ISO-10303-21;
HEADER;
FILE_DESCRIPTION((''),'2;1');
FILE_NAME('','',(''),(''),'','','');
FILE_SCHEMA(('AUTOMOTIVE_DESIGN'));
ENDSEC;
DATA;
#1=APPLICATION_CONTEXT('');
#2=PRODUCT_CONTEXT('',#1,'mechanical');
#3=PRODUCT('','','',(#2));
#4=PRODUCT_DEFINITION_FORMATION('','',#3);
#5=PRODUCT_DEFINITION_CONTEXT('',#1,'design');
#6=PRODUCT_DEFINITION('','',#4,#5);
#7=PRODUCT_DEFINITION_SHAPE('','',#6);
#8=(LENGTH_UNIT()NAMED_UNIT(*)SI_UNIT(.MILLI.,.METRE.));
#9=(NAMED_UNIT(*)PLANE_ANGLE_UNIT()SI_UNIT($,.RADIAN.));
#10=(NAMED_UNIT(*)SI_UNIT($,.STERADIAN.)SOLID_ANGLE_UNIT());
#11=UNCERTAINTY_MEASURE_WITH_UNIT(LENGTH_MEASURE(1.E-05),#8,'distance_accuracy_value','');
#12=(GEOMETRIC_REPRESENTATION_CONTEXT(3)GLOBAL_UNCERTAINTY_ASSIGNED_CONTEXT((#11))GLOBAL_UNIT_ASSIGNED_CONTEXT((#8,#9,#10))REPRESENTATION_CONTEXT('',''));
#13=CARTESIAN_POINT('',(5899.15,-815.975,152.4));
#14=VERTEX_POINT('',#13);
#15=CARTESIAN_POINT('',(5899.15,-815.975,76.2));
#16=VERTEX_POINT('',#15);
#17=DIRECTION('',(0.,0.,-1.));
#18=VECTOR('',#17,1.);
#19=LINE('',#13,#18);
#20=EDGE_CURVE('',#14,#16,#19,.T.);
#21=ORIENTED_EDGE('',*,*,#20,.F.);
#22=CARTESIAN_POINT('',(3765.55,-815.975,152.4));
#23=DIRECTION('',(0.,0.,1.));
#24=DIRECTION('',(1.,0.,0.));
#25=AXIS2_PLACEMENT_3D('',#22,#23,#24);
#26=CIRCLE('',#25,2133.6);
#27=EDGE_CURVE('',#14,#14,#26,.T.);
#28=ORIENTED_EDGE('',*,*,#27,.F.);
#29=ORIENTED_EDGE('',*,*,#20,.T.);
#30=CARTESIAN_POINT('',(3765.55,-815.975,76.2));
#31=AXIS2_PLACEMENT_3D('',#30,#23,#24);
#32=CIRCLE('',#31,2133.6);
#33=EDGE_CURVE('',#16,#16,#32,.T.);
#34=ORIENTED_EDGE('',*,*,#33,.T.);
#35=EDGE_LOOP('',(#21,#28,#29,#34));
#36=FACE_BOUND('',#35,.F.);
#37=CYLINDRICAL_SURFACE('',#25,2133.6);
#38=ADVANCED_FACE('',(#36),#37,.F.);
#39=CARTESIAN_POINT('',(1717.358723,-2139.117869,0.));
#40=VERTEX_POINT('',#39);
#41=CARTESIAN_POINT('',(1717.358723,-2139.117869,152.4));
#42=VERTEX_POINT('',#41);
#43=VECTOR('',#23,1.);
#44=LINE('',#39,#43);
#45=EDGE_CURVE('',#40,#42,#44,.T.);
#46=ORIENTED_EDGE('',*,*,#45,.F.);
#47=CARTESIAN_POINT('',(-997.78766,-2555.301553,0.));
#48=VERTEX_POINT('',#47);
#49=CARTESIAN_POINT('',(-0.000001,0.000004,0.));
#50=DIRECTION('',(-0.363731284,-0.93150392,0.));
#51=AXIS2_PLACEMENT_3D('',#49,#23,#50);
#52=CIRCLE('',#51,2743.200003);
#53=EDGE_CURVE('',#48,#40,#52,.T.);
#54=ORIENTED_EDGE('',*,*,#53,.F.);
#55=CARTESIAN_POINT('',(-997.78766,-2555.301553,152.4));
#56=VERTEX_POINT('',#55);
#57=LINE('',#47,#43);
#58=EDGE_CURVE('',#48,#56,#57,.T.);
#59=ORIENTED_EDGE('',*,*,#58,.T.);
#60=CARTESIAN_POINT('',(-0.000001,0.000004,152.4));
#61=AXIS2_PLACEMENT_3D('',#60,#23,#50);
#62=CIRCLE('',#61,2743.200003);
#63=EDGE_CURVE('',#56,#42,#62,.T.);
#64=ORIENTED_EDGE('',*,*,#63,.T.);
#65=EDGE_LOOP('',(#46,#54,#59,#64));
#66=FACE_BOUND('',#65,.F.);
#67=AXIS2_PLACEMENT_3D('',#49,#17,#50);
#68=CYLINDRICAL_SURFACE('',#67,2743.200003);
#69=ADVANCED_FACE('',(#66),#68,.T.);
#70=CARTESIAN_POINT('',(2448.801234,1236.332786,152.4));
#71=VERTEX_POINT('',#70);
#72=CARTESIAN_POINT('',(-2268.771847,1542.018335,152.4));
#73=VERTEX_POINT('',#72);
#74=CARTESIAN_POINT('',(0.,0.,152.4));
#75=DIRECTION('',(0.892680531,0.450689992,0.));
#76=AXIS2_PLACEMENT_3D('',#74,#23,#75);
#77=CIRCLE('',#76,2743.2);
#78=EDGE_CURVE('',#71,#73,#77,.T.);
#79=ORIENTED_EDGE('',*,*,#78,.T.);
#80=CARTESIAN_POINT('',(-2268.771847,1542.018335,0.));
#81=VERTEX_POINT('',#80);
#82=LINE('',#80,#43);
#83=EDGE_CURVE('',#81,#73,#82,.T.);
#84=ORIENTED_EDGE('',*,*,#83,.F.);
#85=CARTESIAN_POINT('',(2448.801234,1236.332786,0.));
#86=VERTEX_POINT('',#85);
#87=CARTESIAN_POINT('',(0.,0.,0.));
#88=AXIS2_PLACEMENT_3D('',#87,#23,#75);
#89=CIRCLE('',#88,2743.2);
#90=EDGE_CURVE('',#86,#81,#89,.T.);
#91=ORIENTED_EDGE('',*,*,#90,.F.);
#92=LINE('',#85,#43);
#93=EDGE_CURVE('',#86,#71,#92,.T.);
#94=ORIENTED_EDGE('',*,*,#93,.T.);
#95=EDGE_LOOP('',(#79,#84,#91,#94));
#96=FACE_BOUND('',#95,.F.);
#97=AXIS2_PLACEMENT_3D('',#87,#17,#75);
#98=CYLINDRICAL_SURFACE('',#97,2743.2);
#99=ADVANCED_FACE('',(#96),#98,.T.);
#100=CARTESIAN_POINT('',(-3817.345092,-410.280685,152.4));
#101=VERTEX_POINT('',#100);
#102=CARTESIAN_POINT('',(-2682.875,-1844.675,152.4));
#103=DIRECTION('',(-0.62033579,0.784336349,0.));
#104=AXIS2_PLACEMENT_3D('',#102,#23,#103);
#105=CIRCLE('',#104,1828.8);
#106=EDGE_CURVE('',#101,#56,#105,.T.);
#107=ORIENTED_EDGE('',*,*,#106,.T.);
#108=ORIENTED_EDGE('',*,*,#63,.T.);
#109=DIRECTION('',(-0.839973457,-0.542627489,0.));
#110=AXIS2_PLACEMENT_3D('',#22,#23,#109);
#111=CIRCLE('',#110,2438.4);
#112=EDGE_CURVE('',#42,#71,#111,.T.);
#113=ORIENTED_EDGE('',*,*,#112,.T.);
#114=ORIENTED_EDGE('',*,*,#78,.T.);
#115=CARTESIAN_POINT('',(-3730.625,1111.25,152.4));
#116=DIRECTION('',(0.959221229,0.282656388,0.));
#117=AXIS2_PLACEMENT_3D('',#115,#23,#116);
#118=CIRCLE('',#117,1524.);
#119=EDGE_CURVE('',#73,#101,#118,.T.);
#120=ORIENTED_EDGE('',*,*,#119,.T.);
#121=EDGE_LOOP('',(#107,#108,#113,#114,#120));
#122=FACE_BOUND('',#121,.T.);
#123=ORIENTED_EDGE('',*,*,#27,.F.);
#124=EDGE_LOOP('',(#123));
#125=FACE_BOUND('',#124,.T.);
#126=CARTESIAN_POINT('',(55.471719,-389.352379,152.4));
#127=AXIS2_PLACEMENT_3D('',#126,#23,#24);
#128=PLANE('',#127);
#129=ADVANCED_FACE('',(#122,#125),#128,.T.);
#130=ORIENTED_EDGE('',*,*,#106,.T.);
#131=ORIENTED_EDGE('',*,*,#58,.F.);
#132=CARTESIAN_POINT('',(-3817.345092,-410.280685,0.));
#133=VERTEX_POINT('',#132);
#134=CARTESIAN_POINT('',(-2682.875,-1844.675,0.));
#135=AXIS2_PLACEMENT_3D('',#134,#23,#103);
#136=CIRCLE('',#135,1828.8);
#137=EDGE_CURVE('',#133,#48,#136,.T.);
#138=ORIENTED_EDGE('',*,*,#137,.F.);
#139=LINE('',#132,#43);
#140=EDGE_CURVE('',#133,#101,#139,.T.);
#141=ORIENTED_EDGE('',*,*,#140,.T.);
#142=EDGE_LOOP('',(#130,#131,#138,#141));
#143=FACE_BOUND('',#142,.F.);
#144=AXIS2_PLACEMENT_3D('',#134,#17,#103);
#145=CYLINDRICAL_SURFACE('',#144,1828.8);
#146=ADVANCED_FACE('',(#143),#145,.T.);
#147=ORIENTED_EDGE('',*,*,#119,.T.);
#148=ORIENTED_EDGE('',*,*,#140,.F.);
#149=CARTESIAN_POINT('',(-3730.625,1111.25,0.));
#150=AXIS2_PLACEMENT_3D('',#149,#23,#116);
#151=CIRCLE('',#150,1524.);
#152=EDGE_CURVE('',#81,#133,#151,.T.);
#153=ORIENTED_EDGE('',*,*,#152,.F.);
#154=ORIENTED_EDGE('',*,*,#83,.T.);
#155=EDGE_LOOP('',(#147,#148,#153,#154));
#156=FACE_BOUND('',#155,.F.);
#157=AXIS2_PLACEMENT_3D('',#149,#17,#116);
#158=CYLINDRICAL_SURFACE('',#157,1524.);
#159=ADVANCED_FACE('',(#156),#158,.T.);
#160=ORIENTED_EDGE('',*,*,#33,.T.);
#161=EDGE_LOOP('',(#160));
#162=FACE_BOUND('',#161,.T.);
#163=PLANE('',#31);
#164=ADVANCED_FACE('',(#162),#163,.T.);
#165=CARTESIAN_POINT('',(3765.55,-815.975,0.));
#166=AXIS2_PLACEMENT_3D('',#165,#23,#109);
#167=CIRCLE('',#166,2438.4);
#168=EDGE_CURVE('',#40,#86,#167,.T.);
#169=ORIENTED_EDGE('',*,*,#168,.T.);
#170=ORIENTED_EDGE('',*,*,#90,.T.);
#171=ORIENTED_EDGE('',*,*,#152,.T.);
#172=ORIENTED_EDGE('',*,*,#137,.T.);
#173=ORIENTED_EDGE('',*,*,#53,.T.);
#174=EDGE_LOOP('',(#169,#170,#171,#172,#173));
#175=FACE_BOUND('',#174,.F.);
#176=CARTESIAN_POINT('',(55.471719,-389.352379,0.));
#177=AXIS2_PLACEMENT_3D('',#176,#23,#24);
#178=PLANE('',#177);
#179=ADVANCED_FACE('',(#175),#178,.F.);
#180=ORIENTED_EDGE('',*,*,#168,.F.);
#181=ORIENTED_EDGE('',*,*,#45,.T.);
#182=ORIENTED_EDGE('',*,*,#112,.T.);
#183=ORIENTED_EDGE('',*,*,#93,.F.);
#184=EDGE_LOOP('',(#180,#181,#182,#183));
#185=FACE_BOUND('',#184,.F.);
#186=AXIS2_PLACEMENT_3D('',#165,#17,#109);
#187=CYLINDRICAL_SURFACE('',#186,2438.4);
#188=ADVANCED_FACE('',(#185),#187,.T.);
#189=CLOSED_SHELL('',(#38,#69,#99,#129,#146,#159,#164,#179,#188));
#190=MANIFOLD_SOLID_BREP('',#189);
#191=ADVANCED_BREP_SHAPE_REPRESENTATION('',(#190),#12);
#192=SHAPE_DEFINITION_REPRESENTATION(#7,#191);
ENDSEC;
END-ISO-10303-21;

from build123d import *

# Parameters (mm, degrees)
PAD_DEPTH    = 152.4
SKETCH001_R  = 2133.6
POCKET_DEPTH = 76.2


with BuildPart() as part:
    # Sketch → Pad (new body)
    with BuildSketch(Plane.XY):
        with BuildLine():
            ThreePointArc((-2268.771847, 1542.018335), (-4924.616457, 2058.329933), (-3817.345092, -410.280685))
            ThreePointArc((-3817.345092, -410.280685), (-3790.157019, -3300.159789), (-997.78766, -2555.301553))
            ThreePointArc((-997.78766, -2555.301553), (415.629454, -2711.530637), (1717.358723, -2139.117869))
            ThreePointArc((1717.358723, -2139.117869), (6148.640883, -1332.378336), (2448.801234, 1236.332786))
            ThreePointArc((2448.801234, 1236.332786), (177.379703, 2737.459165), (-2268.771847, 1542.018335))
        make_face()
    extrude(amount=PAD_DEPTH)

    # Sketch001 (on Face7 of Pad) → Pocket (cut)
    with BuildSketch(Plane.XY.offset(152.4)):
        with Locations((3765.55, -815.975)):
            Circle(SKETCH001_R)
    extrude(amount=-POCKET_DEPTH, mode=Mode.SUBTRACT)


solid = part.part
